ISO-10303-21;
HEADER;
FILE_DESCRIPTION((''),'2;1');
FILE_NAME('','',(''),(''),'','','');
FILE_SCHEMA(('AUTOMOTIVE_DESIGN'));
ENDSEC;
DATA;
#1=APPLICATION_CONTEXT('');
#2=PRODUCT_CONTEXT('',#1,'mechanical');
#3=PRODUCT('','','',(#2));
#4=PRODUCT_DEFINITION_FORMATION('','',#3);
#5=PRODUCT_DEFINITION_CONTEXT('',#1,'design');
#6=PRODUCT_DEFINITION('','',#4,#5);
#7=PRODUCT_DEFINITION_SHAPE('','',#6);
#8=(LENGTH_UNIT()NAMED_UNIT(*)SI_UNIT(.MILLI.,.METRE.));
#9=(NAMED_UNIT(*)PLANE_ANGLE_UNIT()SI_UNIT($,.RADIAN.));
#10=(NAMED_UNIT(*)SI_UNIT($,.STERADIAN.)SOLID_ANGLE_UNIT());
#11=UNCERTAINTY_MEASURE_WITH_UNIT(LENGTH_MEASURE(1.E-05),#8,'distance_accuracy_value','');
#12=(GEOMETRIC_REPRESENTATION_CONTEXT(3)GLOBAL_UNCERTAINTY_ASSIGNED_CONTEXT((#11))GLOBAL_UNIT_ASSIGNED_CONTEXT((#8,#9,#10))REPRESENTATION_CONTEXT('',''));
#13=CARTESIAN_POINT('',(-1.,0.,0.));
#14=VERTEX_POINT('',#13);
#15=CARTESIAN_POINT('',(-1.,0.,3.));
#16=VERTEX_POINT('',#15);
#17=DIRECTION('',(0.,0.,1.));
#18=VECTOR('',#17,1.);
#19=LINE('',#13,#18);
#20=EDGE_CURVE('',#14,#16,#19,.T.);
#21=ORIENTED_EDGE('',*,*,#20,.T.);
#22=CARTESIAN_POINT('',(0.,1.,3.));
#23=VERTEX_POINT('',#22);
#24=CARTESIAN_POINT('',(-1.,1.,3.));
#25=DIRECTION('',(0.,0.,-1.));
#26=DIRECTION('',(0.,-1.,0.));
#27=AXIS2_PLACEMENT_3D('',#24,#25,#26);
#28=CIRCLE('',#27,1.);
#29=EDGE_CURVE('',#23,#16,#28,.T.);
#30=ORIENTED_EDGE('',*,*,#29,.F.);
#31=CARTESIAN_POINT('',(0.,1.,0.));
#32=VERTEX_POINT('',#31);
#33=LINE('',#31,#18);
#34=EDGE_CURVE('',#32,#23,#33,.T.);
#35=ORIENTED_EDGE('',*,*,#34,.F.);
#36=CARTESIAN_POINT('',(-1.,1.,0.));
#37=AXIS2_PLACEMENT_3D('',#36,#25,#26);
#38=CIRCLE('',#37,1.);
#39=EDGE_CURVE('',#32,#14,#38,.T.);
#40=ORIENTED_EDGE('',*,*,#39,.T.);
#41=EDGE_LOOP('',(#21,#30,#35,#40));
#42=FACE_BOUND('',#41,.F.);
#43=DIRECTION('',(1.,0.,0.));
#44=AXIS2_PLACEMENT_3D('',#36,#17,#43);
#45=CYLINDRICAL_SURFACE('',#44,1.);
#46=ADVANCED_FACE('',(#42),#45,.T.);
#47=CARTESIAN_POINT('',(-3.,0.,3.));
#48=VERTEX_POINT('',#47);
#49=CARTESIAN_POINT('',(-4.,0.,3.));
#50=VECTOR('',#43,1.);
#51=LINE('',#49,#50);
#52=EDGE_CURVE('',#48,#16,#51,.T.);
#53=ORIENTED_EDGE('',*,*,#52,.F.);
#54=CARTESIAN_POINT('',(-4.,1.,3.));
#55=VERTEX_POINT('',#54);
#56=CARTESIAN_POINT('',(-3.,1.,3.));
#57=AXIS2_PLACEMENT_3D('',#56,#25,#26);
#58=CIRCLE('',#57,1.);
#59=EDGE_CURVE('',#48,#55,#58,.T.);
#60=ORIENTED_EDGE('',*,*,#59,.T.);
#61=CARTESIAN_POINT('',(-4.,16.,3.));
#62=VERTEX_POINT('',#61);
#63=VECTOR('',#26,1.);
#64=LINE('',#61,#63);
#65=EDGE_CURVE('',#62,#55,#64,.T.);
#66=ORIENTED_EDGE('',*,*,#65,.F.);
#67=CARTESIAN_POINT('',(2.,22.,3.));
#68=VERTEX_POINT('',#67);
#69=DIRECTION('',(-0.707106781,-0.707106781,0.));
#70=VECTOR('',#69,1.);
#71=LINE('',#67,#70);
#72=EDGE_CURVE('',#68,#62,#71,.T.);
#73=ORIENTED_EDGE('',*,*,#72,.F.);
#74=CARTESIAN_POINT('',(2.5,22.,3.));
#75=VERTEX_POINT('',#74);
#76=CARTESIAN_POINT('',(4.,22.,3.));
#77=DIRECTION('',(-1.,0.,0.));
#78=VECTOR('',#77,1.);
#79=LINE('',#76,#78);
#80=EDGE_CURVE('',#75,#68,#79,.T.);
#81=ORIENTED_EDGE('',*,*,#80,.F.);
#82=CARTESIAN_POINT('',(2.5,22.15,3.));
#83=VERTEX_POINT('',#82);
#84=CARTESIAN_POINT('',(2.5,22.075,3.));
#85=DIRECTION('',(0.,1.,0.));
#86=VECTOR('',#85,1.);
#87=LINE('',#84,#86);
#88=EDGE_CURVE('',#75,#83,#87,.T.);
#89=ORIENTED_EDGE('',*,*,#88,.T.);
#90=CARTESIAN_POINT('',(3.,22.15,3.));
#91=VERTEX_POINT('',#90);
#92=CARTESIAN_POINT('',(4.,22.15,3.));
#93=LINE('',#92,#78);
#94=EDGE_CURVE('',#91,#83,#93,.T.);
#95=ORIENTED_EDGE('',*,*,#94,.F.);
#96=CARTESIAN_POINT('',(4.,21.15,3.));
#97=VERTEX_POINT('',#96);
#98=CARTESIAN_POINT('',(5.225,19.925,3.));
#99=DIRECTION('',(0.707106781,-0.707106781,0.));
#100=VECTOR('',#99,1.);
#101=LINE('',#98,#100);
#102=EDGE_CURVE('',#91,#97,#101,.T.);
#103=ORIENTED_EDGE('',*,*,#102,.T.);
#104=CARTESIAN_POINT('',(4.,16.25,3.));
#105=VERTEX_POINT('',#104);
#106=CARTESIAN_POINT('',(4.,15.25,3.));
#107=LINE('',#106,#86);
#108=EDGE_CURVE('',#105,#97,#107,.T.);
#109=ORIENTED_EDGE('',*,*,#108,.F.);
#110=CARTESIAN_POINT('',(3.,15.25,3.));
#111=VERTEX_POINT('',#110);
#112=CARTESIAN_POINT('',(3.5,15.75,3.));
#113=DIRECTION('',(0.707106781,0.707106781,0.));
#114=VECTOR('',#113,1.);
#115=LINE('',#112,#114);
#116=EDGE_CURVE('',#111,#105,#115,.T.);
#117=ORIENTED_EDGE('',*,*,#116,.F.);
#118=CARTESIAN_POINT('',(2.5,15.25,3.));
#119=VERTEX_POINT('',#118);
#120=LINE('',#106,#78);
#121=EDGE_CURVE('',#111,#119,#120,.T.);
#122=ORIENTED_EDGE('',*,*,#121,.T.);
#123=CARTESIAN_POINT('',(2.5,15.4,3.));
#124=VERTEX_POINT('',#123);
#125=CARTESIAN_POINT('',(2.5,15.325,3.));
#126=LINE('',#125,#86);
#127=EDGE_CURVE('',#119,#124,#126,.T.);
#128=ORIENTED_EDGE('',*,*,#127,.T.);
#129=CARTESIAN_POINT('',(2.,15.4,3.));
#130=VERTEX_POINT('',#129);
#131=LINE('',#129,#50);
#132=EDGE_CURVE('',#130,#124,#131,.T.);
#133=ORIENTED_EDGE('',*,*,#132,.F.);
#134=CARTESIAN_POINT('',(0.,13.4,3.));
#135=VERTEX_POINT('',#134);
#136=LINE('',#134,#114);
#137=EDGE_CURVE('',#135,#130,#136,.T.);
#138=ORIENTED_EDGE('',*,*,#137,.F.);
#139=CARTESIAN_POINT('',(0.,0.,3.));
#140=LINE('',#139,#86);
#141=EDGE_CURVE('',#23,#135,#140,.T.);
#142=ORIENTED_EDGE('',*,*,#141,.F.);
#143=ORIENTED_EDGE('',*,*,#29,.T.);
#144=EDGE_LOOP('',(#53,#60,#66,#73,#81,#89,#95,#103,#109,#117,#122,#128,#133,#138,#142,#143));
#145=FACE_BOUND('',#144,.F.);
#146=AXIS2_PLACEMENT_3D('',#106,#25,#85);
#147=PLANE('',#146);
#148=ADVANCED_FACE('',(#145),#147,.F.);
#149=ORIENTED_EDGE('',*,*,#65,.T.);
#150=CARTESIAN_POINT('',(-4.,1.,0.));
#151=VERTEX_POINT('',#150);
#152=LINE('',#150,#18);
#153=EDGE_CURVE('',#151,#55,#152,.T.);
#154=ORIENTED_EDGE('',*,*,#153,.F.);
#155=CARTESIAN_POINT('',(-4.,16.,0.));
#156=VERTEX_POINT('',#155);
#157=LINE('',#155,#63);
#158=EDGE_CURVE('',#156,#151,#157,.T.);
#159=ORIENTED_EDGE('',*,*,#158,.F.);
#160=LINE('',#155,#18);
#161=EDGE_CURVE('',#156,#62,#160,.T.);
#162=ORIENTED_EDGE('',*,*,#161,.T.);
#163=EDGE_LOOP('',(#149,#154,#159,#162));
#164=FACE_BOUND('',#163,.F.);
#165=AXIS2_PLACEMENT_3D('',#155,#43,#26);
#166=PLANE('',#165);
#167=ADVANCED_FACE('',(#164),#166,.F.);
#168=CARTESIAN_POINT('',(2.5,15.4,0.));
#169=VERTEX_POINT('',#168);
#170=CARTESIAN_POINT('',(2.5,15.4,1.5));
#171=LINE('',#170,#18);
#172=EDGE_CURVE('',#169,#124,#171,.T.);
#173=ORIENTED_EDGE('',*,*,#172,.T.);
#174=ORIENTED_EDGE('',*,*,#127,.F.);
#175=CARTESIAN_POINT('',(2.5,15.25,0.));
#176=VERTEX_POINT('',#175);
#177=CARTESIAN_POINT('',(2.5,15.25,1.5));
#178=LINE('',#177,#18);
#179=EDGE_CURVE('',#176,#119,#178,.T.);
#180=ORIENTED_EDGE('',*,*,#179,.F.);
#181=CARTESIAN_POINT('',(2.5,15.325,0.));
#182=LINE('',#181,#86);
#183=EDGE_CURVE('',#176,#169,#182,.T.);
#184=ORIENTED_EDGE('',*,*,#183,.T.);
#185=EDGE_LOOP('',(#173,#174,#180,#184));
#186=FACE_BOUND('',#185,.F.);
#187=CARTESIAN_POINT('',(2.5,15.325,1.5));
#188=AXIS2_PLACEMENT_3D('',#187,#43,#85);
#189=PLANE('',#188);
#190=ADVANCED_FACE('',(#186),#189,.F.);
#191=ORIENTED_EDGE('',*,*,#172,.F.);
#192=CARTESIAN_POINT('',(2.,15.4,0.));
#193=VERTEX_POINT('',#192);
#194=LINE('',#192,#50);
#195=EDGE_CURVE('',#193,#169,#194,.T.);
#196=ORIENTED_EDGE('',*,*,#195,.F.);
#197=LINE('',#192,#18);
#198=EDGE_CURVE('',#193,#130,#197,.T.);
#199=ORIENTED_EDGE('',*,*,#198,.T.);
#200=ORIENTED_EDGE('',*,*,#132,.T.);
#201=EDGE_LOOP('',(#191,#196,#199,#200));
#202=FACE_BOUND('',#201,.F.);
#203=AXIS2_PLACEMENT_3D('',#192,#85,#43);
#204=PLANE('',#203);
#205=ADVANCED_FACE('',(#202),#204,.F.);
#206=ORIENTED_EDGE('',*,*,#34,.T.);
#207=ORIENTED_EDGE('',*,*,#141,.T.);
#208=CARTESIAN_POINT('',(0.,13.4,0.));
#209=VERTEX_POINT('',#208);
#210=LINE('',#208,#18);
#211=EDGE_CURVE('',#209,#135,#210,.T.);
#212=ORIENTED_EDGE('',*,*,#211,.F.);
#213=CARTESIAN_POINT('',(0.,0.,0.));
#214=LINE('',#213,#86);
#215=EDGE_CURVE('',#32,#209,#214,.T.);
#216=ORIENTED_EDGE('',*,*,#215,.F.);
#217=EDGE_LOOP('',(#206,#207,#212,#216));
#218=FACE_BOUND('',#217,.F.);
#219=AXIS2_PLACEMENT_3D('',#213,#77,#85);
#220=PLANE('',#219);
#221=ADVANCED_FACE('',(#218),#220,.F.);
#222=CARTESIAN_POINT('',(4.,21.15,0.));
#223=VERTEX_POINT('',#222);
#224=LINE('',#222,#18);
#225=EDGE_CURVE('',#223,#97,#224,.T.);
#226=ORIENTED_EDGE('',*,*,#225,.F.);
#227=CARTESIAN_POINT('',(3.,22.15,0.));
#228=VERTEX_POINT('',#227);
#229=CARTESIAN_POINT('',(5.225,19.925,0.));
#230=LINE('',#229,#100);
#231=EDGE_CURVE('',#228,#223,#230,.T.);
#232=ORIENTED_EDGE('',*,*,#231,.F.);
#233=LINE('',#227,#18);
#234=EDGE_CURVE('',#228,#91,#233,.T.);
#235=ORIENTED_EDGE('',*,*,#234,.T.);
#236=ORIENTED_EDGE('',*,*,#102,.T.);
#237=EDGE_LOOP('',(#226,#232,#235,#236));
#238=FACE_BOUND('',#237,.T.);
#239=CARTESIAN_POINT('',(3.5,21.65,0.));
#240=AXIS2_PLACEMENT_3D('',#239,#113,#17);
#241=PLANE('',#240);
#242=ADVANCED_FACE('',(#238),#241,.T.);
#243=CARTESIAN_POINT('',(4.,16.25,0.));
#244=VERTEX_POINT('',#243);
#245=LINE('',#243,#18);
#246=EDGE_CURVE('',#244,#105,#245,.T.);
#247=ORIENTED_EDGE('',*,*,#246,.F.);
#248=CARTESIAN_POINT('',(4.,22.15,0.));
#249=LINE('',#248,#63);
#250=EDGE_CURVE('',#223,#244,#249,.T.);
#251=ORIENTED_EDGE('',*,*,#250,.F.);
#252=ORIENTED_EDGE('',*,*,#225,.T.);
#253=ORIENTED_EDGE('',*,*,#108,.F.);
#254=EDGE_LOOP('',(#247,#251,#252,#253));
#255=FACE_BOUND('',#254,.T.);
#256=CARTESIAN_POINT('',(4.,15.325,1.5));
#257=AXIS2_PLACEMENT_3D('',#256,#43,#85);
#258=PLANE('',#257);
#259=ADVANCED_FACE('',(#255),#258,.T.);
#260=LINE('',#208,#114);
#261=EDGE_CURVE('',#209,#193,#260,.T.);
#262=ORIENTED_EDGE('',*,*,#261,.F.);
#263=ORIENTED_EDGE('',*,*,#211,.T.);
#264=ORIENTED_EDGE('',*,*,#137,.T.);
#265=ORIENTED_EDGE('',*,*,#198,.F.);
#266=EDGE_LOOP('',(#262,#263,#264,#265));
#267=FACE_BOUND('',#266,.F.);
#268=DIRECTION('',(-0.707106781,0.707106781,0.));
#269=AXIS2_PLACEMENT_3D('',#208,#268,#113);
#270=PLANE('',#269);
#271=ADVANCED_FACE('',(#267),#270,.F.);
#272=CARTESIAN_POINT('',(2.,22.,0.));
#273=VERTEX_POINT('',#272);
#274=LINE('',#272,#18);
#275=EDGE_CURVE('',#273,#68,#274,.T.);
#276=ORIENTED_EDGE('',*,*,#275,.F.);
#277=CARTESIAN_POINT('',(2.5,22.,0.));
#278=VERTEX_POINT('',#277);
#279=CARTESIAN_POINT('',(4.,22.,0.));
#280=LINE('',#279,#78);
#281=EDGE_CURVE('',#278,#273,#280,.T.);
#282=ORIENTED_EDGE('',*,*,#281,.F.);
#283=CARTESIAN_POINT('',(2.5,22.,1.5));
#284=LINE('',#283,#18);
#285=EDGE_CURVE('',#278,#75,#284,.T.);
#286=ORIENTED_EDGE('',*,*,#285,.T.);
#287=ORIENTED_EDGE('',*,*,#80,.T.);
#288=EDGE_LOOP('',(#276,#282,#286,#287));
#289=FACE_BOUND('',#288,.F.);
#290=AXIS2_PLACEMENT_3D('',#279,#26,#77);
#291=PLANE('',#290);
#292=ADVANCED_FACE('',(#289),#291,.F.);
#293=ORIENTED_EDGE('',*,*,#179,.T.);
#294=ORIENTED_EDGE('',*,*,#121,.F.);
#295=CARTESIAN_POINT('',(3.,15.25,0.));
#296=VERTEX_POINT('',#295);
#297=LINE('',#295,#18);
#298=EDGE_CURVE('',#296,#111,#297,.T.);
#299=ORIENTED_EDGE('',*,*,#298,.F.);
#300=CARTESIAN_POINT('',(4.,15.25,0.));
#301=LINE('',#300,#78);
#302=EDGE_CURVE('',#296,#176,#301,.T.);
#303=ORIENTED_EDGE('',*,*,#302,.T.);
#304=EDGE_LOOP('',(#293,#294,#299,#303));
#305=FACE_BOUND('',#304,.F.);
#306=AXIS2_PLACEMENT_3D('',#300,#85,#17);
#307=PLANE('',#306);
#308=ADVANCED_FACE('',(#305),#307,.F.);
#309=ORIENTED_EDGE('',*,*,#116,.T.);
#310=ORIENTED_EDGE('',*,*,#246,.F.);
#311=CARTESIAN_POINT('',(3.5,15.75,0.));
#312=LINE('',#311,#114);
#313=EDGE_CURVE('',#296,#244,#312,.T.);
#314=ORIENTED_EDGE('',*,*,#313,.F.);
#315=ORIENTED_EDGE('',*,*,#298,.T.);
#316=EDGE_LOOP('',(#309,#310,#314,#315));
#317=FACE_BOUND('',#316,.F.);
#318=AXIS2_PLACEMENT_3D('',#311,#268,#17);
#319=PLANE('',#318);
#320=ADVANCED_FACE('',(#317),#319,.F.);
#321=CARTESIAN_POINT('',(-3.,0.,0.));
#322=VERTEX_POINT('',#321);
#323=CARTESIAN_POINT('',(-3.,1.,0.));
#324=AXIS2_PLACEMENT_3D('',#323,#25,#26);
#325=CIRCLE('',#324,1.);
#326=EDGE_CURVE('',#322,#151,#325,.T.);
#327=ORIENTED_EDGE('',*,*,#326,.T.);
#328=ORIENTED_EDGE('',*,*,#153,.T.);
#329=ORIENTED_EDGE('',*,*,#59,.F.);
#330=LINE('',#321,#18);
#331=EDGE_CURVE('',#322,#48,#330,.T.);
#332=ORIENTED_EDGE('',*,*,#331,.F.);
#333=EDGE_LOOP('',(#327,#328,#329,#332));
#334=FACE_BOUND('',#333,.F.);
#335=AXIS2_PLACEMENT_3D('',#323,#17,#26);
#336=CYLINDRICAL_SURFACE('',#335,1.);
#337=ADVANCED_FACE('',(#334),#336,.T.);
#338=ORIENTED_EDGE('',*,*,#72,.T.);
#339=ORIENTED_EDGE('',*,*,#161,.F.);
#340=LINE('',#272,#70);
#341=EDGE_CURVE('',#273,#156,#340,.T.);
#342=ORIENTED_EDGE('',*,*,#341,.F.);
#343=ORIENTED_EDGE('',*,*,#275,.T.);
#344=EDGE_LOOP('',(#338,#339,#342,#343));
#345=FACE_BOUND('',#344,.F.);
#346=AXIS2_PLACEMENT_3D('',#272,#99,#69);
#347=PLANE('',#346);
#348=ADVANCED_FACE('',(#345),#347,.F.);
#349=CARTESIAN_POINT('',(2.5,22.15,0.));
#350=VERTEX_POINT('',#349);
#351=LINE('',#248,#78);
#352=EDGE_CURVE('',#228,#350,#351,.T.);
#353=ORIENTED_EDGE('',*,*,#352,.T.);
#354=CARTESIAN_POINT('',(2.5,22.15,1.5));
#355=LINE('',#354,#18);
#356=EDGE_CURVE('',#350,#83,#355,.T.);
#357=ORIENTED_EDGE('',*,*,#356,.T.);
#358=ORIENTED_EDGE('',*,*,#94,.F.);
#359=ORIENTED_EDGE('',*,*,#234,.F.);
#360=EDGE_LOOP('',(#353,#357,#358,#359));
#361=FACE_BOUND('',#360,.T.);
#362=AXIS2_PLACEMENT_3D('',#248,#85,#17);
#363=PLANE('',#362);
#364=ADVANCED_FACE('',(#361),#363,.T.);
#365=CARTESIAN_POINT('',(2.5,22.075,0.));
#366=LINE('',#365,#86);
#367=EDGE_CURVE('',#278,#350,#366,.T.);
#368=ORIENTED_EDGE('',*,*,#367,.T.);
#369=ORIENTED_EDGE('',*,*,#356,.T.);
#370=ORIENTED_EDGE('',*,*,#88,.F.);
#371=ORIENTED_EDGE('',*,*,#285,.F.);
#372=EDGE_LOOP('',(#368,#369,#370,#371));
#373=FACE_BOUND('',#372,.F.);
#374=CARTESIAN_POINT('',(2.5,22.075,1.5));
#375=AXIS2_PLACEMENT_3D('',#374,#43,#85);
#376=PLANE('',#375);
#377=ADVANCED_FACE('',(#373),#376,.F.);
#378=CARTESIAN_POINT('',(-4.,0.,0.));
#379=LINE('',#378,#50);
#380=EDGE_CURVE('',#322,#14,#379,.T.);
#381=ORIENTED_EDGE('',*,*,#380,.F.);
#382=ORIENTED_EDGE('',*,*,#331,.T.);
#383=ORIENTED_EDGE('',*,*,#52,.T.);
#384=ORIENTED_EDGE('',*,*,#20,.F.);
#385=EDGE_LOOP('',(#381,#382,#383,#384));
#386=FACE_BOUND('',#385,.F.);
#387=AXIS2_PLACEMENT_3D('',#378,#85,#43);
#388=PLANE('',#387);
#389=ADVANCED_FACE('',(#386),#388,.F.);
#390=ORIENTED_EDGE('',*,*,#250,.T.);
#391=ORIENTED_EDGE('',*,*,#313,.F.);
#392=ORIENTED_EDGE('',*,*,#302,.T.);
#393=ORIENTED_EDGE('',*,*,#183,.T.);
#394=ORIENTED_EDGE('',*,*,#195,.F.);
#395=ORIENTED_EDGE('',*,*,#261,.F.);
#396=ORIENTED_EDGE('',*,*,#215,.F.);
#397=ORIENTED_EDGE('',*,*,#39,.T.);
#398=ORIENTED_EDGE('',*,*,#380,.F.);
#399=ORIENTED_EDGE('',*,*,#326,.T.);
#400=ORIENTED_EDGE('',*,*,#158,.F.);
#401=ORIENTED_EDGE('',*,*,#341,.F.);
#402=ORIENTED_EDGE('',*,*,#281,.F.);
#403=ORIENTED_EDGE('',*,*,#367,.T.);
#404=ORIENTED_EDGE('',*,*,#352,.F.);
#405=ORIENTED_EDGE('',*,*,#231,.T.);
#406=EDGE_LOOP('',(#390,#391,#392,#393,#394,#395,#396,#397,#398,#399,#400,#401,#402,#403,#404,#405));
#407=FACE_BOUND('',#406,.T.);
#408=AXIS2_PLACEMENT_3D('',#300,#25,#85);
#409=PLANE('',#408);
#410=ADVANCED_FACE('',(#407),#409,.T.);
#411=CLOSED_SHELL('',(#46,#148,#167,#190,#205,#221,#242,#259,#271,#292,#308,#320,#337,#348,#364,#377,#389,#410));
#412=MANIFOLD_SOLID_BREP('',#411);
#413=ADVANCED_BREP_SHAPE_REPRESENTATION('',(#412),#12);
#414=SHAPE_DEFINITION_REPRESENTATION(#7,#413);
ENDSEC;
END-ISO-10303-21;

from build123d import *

# Parameters (mm, degrees)
F1_DEPTH = 3
F2_W     = 0.15
F2_H     = 3
F3_DEPTH = 1.5
F4_SIZE  = 1
F5_R     = 1


with BuildPart() as f1:
    # F0 (on Top) → F1 (new body)
    with BuildSketch(Plane.XY):
        Polygon((2, 22), (-4, 16), (-4, 0), (0, 0), (0, 13.4), (2, 15.4), (4, 15.4), (4, 22), align=None)
    extrude(amount=F1_DEPTH)

    # F2 (on face) → F3 (join)
    with BuildSketch(Plane.YZ.offset(4)):
        with Locations((15.325, 1.5)):
            Rectangle(F2_W, F2_H)
        with Locations((22.075, 1.5)):
            Rectangle(F2_W, F2_H)
    extrude(amount=-F3_DEPTH)

    # F4
    f4_edges = [f1.edges().sort_by_distance(p)[0] for p in [
        (4, 15.25, 1.5),
        (4, 22.15, 1.5),
    ]]
    chamfer(f4_edges, length=F4_SIZE)

    # F5
    f5_edges = [f1.edges().sort_by_distance(p)[0] for p in [
        (0, 0, 1.5),
        (-4, 0, 1.5),
    ]]
    fillet(f5_edges, radius=F5_R)


solid = f1.part
